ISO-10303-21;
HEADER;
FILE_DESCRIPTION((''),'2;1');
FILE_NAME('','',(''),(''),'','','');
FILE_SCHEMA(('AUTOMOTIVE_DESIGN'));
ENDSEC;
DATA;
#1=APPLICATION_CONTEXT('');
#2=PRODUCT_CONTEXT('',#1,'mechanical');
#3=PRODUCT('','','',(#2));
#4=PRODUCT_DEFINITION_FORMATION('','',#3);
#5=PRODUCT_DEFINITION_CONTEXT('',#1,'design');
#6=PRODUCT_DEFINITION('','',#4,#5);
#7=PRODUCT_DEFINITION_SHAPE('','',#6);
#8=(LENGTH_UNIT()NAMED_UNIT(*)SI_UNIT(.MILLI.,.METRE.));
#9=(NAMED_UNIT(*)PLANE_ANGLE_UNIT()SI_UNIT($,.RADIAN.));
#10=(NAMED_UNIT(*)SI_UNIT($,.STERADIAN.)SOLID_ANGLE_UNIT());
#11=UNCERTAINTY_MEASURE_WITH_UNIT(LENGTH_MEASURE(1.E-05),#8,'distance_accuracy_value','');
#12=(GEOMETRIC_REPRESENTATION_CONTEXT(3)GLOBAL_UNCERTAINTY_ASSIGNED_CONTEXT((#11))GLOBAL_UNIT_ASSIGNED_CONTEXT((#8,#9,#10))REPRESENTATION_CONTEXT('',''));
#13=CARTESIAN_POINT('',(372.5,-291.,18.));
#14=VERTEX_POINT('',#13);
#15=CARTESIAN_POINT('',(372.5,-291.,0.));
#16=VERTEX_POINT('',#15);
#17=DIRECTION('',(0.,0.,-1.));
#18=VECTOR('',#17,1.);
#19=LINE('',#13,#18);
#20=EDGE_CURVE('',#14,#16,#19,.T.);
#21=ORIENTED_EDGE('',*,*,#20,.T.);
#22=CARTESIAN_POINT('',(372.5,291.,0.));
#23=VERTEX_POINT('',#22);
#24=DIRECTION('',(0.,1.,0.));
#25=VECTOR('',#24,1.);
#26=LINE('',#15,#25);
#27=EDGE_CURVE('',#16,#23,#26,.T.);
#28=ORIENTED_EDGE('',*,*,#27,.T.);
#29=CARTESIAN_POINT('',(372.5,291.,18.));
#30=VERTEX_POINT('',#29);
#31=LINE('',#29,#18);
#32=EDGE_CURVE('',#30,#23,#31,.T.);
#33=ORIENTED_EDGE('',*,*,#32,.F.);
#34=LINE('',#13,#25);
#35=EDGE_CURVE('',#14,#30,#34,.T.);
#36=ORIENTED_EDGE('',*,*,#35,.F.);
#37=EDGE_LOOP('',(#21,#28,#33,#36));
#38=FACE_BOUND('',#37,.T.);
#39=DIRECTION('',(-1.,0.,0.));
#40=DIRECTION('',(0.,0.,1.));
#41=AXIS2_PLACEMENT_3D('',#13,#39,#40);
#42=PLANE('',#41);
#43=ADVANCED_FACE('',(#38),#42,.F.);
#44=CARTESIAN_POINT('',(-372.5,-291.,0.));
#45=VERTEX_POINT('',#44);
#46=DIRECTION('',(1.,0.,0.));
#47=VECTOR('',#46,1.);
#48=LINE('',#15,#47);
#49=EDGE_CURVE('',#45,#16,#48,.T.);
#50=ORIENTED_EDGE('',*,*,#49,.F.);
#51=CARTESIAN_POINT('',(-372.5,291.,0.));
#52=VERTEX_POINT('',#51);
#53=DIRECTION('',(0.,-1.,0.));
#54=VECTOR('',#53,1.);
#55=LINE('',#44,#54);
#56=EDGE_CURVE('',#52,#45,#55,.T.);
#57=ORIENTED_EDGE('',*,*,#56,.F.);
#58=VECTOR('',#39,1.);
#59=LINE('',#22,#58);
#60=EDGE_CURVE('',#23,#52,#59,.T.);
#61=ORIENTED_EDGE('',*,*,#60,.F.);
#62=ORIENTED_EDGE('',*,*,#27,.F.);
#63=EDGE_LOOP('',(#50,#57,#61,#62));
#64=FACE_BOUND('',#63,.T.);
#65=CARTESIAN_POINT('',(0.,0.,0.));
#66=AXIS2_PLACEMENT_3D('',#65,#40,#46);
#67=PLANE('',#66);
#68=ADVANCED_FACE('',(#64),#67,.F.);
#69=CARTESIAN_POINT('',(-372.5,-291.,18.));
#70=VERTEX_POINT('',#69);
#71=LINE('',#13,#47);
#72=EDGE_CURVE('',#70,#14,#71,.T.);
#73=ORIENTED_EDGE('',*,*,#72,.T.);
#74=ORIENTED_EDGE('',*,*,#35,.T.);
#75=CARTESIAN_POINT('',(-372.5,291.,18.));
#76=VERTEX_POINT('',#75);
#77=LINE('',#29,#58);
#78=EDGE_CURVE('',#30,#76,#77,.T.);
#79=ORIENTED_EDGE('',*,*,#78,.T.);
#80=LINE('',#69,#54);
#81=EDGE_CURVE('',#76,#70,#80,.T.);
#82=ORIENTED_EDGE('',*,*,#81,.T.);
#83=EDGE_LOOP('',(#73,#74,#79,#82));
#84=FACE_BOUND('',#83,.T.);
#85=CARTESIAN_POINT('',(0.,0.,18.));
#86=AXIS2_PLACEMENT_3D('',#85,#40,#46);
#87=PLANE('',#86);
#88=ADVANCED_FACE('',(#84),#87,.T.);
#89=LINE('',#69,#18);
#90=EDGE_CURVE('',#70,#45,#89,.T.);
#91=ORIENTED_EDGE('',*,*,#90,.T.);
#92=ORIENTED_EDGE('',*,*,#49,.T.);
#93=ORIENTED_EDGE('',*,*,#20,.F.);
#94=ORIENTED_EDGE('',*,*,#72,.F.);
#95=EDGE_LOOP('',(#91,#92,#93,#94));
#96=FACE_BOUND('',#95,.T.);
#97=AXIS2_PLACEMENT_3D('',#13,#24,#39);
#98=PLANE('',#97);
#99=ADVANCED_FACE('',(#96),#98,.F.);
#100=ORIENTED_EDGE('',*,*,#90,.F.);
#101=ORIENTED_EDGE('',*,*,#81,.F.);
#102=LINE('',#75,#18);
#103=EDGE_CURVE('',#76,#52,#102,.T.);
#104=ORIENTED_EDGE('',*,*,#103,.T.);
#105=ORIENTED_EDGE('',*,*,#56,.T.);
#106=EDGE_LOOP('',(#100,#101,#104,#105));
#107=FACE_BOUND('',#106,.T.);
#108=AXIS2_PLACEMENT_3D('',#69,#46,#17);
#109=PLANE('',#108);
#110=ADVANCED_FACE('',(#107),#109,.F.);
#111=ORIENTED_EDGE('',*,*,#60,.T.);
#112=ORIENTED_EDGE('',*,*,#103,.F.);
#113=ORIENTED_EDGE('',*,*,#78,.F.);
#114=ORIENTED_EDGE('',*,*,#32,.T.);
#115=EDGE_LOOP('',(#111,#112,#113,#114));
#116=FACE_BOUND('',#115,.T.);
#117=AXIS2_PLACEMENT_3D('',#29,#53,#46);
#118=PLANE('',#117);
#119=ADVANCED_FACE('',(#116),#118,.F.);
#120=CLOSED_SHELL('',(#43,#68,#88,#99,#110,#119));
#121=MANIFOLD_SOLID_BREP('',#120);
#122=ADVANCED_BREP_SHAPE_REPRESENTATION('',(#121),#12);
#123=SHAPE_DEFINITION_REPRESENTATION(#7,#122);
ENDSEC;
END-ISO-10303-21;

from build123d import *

# Parameters (mm, degrees)
SKETCH1_W           = 745
SKETCH1_H           = 582
BOSS_EXTRUDE1_DEPTH = 18


with BuildPart() as part:
    # Sketch1 → Boss-Extrude1 (new body)
    with BuildSketch(Plane.XY):
        Rectangle(SKETCH1_W, SKETCH1_H)
    extrude(amount=BOSS_EXTRUDE1_DEPTH)


solid = part.part
